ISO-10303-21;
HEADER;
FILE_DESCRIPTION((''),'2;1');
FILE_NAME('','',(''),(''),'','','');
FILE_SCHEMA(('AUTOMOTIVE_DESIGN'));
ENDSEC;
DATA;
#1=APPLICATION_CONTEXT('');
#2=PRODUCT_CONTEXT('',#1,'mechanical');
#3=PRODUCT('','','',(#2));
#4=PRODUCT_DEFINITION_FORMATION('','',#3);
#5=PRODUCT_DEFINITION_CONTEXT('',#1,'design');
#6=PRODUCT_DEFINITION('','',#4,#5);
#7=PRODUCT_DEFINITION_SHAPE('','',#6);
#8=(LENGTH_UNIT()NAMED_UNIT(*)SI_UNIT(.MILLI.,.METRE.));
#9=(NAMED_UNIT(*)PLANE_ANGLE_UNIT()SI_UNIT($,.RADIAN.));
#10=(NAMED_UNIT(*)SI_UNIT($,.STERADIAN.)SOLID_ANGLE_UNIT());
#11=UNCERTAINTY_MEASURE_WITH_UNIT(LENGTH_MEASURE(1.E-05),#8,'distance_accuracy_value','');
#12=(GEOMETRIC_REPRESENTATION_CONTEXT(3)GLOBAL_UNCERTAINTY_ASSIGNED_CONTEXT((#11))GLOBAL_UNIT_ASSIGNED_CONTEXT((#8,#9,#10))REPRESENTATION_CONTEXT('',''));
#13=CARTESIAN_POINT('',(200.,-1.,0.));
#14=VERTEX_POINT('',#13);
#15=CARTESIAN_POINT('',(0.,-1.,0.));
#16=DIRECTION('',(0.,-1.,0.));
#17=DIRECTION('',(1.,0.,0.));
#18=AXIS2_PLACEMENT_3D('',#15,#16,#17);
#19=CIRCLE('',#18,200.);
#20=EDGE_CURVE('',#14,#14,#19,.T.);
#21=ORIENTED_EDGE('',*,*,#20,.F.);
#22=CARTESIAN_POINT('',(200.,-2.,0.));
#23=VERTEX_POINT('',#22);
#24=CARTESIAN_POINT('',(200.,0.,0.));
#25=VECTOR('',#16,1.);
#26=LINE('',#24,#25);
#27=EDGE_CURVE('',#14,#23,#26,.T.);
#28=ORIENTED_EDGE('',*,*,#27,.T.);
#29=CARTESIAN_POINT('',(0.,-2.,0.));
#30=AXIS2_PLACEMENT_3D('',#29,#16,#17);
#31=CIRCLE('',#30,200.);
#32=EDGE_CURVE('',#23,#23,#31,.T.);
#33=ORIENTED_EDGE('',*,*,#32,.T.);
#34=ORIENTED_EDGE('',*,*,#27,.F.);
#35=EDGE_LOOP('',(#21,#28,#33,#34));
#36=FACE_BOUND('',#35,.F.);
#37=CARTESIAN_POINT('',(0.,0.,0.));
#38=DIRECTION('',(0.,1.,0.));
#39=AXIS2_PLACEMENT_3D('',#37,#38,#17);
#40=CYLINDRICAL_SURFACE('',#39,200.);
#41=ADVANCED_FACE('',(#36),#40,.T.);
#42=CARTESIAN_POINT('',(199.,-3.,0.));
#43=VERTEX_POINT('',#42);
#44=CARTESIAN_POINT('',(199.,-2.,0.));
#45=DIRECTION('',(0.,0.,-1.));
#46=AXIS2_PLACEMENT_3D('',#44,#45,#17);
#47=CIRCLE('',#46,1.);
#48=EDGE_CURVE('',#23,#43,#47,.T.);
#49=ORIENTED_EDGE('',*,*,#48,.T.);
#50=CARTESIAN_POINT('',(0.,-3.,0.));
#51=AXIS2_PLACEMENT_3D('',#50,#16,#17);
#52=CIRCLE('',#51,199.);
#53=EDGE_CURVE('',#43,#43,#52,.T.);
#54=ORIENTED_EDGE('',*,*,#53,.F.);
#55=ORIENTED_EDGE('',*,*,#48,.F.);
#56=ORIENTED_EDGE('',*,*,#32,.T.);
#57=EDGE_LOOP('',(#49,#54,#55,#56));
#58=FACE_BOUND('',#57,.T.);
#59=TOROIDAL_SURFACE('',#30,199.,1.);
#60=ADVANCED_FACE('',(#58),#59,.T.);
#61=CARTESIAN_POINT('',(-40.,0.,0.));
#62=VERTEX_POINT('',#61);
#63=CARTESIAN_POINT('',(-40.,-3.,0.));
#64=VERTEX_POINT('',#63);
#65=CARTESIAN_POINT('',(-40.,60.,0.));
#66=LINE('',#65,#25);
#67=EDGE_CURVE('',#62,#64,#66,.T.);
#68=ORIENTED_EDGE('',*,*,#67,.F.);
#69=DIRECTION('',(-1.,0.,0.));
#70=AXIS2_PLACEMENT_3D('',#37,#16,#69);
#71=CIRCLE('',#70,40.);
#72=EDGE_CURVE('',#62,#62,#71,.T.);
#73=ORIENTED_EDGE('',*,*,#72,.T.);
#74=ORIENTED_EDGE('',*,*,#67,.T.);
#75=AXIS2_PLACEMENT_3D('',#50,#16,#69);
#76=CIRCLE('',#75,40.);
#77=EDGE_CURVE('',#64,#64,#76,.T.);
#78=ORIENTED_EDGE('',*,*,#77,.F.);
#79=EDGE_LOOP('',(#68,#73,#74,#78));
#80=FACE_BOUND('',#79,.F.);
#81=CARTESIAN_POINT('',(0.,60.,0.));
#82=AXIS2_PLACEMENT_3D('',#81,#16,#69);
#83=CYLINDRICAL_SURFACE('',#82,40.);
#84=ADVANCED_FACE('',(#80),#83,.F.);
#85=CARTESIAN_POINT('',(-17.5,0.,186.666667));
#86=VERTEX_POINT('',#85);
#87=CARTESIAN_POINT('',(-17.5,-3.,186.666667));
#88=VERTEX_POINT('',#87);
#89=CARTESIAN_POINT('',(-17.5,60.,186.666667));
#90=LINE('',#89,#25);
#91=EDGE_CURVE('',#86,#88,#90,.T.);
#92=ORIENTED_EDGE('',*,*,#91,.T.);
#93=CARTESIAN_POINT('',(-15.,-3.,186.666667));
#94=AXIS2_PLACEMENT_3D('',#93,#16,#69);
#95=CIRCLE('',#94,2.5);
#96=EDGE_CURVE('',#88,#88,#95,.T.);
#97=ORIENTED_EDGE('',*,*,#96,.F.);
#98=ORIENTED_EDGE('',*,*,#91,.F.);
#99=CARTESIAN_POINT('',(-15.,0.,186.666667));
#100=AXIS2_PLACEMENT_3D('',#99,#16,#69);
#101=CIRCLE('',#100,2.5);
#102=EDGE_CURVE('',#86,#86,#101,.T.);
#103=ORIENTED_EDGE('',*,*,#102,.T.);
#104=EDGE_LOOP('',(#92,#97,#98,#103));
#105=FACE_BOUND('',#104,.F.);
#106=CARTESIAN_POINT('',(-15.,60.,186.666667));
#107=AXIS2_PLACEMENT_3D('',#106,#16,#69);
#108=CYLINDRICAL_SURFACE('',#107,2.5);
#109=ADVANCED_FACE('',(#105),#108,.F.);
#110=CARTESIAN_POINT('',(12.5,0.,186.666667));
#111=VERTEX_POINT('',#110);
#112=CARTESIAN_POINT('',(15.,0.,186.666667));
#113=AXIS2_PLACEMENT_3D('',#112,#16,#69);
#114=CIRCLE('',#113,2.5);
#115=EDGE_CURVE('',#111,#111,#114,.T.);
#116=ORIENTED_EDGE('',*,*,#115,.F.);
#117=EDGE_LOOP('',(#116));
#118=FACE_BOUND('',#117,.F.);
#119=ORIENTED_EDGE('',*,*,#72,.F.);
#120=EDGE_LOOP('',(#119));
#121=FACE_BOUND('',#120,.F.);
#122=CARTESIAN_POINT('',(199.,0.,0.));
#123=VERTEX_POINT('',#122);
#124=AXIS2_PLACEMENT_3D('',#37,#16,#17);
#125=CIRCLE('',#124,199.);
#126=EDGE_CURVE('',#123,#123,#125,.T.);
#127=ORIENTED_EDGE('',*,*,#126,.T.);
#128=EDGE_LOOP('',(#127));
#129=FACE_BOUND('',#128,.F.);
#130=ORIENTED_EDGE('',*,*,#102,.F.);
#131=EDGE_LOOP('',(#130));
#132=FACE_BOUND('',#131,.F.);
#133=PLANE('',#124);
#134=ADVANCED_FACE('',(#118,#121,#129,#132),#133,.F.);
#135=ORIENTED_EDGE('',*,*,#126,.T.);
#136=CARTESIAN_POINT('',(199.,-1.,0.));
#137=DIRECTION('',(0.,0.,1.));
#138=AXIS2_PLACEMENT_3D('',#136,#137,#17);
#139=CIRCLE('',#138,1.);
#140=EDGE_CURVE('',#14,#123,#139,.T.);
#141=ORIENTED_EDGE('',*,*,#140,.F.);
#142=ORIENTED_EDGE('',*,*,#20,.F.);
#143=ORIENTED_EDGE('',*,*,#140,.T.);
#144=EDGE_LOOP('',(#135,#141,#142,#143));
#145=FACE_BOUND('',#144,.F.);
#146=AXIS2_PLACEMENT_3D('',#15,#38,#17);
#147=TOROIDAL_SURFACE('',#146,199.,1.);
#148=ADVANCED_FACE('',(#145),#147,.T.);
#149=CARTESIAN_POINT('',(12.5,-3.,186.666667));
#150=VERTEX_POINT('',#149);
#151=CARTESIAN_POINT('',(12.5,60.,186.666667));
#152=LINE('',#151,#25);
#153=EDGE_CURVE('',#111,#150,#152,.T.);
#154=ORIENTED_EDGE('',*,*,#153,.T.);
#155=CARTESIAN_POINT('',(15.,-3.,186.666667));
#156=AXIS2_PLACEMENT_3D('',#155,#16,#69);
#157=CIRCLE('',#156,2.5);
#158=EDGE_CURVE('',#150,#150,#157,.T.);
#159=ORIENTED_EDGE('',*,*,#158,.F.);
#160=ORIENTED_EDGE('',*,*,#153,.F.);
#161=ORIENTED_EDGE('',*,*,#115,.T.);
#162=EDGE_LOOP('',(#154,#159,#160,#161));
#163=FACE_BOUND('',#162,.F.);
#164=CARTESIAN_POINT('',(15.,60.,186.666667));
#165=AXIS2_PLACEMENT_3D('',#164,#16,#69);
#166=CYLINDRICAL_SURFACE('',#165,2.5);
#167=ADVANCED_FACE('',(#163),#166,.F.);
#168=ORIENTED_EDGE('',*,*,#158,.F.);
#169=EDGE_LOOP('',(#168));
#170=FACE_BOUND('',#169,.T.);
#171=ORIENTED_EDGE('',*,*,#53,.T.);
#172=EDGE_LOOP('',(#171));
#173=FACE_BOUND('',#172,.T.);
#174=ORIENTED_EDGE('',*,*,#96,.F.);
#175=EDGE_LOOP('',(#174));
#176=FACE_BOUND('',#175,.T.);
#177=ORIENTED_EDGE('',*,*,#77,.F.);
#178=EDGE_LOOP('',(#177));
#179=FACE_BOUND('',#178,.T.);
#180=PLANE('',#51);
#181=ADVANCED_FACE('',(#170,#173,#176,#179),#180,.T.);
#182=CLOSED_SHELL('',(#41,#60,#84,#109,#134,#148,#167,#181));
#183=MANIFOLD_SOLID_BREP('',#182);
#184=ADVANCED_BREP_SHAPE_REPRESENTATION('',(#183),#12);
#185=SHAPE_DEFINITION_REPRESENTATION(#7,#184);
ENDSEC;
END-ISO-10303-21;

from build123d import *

# Parameters (mm, degrees)
F0_R     = 200
F1_DEPTH = 3
F2_D     = 5
F2_DEPTH = 60
F2_TIP   = 1.5021515476
F3_R     = 1
F4_D     = 80
F4_DEPTH = 60
F4_TIP   = 24.0344247611


with BuildPart() as f1:
    # F0 (on Front) → F1 (new body)
    with BuildSketch(Plane.XZ):
        Circle(F0_R)
    extrude(amount=F1_DEPTH)

    # F2
    with Locations(Plane(origin=(0, 0, 0), x_dir=(1, 0, 0), z_dir=(0, 1, 0))):
        with Locations((-15, -186.6666666667), (15, -186.6666666667)):
            Hole(F2_D / 2, depth=F2_DEPTH)
            with Locations((0, 0, -(F2_DEPTH + F2_TIP / 2))):  # 118° drill point
                Cone(0, F2_D / 2, F2_TIP, mode=Mode.SUBTRACT)

    # F3
    f3_edges = [f1.edges().sort_by_distance(p)[0] for p in [
        (-200, -3, 0),
        (-200, 0, 0),
    ]]
    fillet(f3_edges, radius=F3_R)

    # F4
    with Locations(Plane(origin=(0, 0, 0), x_dir=(1, 0, 0), z_dir=(0, 1, 0))):
        with Locations((0, 0)):
            Hole(F4_D / 2, depth=F4_DEPTH)
            with Locations((0, 0, -(F4_DEPTH + F4_TIP / 2))):  # 118° drill point
                Cone(0, F4_D / 2, F4_TIP, mode=Mode.SUBTRACT)


solid = f1.part
